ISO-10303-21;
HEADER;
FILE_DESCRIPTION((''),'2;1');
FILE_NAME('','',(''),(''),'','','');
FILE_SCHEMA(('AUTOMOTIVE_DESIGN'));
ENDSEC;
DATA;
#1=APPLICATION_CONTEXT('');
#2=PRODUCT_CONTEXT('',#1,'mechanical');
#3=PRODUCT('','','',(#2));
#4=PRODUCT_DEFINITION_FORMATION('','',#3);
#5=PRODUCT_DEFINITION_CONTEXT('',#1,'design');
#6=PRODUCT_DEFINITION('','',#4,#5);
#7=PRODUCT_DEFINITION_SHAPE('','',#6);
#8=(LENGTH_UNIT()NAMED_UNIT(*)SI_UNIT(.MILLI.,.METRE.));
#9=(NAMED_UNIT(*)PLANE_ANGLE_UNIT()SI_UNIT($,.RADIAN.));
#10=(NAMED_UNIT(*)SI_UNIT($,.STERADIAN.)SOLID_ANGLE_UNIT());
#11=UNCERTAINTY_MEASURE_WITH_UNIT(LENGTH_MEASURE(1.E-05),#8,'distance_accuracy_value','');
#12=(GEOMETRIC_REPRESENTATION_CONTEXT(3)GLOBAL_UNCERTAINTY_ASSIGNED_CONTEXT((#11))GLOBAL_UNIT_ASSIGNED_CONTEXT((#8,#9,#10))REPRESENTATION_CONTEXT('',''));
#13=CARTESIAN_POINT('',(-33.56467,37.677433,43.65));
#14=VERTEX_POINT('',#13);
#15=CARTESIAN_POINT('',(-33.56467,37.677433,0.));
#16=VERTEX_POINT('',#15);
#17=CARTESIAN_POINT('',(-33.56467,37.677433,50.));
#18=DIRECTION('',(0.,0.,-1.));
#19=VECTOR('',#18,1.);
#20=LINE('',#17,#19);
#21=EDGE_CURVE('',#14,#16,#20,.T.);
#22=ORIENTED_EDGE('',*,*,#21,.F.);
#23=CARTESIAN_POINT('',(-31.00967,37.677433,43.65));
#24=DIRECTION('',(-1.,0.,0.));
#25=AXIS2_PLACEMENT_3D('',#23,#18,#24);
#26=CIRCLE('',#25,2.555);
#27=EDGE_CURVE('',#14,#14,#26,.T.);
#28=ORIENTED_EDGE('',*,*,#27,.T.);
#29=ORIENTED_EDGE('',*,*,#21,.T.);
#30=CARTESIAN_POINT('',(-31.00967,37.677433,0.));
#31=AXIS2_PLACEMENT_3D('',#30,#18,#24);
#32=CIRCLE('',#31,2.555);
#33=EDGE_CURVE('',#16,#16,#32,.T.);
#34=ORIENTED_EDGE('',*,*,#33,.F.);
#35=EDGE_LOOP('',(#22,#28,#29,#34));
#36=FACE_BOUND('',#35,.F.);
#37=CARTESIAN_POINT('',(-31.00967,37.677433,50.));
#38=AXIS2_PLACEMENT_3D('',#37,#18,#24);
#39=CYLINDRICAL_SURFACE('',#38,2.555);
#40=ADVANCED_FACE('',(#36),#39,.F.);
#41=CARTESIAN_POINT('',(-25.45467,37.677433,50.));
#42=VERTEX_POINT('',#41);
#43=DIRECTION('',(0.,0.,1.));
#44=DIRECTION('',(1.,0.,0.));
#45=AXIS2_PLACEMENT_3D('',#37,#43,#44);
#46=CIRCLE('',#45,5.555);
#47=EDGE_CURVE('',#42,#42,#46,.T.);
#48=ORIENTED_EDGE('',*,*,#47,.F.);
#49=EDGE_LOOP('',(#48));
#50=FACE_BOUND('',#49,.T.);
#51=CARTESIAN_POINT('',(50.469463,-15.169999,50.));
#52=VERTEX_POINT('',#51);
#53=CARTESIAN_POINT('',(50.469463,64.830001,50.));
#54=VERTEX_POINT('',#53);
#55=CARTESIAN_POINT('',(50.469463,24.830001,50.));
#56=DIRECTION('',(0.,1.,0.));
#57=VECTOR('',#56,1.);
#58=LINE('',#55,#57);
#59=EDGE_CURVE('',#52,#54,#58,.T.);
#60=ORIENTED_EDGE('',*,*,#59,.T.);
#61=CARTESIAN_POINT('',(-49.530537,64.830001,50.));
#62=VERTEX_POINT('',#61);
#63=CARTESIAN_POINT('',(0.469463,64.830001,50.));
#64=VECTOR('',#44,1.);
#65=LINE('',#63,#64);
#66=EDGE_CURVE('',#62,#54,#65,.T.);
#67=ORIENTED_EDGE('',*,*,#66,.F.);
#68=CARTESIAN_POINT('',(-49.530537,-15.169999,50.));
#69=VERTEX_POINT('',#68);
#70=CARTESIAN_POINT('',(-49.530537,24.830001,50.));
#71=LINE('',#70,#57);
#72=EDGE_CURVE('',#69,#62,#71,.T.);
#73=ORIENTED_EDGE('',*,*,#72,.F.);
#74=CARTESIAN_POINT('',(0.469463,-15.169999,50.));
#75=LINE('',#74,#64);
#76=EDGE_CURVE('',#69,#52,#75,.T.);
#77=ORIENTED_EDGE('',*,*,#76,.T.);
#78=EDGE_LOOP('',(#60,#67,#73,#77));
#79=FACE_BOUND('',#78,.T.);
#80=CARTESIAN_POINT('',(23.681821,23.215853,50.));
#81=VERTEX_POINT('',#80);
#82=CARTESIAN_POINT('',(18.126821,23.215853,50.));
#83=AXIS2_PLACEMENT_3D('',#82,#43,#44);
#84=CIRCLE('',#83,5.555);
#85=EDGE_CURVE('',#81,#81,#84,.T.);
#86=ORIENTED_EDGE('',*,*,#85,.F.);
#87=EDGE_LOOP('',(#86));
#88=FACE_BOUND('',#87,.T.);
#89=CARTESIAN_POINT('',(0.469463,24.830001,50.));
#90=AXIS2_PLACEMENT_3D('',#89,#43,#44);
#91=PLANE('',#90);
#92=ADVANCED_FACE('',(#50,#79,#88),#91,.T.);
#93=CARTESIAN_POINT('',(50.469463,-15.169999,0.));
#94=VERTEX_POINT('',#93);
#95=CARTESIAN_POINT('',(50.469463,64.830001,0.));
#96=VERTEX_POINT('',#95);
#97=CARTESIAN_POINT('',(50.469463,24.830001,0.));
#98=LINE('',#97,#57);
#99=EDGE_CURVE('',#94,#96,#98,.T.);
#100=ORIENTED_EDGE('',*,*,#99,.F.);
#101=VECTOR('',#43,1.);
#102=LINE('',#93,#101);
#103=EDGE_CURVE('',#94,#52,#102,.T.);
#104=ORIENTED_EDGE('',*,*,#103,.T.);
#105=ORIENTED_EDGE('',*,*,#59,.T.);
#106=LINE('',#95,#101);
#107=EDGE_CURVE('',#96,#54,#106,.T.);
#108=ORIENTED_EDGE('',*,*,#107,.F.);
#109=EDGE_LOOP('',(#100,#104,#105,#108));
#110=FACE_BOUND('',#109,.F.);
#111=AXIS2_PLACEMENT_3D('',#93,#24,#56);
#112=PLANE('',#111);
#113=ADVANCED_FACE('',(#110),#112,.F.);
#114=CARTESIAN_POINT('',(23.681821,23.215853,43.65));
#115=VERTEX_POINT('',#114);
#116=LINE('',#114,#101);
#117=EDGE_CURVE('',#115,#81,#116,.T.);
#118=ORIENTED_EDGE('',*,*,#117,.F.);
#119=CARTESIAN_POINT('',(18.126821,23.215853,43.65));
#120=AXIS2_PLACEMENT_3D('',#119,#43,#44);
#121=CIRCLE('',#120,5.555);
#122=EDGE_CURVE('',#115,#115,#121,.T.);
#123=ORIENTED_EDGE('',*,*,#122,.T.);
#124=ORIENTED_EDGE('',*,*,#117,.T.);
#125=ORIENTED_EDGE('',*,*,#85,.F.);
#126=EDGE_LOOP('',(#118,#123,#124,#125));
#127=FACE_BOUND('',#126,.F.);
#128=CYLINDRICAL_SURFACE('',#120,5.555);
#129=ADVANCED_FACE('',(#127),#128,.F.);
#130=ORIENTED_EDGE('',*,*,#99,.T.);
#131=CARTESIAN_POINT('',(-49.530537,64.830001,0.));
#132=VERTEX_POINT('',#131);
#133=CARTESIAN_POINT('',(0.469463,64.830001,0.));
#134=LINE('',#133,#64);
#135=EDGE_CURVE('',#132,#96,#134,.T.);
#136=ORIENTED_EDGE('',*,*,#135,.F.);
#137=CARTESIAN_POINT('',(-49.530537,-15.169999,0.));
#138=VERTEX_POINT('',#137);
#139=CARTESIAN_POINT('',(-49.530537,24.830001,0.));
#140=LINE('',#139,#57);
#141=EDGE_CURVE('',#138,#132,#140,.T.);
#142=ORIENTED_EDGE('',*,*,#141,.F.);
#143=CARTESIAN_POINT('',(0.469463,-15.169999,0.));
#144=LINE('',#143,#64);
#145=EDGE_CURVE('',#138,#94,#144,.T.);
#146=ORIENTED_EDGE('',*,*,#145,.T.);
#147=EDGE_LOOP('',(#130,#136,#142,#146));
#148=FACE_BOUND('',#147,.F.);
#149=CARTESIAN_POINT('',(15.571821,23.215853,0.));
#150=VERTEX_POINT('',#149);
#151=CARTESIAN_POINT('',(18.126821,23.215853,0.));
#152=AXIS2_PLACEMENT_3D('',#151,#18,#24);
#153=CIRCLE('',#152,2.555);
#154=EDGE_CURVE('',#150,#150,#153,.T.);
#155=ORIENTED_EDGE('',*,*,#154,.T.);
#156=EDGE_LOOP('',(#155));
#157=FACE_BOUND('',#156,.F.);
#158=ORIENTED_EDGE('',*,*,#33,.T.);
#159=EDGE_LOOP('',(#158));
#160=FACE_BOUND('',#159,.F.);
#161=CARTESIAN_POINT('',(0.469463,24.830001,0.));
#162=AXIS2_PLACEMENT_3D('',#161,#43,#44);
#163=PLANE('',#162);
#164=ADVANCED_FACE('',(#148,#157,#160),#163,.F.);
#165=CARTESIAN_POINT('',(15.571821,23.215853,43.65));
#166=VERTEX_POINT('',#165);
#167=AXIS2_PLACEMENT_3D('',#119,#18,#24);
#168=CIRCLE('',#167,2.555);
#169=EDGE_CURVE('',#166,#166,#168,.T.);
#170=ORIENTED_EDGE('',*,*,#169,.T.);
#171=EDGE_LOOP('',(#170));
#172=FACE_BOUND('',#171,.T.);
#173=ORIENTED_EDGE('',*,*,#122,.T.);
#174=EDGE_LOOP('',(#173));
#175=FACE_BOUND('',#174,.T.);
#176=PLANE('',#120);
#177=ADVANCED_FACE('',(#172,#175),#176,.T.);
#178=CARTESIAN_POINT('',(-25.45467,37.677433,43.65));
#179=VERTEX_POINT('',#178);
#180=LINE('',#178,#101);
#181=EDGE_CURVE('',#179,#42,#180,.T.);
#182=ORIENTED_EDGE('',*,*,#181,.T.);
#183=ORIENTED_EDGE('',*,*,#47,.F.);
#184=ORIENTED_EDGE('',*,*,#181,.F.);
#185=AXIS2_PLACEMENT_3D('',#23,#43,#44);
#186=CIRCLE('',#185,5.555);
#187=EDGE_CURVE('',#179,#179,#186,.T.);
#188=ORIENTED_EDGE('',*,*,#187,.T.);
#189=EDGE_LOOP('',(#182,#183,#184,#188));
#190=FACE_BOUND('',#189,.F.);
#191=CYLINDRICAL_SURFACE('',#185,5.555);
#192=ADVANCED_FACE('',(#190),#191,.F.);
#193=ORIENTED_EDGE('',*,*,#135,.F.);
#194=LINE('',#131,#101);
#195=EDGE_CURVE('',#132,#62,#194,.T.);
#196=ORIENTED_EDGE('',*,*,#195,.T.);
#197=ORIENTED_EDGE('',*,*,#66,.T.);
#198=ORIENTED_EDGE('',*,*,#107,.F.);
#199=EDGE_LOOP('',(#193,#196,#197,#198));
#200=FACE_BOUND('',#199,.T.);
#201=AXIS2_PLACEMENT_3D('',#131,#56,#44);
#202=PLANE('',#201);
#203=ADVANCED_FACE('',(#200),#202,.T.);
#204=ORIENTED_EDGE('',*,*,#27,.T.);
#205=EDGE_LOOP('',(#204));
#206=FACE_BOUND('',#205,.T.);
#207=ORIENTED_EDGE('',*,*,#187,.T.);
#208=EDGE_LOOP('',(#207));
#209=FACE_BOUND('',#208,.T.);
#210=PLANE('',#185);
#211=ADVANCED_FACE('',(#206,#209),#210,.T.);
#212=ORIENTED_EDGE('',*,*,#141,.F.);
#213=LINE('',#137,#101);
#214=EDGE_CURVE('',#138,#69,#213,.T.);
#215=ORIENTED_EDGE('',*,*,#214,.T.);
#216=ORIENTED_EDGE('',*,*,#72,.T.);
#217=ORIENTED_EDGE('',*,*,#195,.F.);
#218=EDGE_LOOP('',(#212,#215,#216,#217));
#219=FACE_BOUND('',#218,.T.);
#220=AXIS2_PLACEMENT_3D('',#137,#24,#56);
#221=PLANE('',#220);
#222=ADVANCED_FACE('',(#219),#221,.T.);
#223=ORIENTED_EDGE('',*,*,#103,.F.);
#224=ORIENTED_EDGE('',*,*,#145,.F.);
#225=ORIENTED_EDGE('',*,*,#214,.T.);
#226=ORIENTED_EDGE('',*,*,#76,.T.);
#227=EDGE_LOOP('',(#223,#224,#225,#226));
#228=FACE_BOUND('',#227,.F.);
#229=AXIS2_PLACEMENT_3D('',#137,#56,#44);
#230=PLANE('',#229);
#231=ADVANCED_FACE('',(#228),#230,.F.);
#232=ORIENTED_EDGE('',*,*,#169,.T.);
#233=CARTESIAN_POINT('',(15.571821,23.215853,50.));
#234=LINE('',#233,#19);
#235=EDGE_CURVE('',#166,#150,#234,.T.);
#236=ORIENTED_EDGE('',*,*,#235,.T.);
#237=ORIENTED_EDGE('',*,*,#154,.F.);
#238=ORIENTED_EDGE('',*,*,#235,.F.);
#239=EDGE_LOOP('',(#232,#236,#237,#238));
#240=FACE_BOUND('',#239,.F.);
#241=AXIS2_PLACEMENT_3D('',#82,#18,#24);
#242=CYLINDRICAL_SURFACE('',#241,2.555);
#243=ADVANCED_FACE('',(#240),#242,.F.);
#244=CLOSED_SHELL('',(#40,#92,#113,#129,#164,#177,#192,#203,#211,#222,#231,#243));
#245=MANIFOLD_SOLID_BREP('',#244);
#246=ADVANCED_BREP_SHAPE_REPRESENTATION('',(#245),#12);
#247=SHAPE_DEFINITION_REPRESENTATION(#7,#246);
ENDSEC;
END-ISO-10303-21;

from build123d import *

# Parameters (mm, degrees)
F0_W           = 100
F0_H           = 80
F1_DEPTH       = 50
F3_D           = 5.11
F3_CBORE_D     = 11.11
F3_CBORE_DEPTH = 6.35


with BuildPart() as f1:
    # F0 (on Top) → F1 (new body)
    with BuildSketch(Plane.XY):
        with Locations((0.469463, 24.830001)):
            Rectangle(F0_W, F0_H)
    extrude(amount=F1_DEPTH)

    # F3 (through all)
    with Locations(Plane.XY.offset(50)):
        with Locations((-31.00967, 37.677433), (18.126821, 23.215853)):
            CounterBoreHole(F3_D / 2, F3_CBORE_D / 2, F3_CBORE_DEPTH)


solid = f1.part
